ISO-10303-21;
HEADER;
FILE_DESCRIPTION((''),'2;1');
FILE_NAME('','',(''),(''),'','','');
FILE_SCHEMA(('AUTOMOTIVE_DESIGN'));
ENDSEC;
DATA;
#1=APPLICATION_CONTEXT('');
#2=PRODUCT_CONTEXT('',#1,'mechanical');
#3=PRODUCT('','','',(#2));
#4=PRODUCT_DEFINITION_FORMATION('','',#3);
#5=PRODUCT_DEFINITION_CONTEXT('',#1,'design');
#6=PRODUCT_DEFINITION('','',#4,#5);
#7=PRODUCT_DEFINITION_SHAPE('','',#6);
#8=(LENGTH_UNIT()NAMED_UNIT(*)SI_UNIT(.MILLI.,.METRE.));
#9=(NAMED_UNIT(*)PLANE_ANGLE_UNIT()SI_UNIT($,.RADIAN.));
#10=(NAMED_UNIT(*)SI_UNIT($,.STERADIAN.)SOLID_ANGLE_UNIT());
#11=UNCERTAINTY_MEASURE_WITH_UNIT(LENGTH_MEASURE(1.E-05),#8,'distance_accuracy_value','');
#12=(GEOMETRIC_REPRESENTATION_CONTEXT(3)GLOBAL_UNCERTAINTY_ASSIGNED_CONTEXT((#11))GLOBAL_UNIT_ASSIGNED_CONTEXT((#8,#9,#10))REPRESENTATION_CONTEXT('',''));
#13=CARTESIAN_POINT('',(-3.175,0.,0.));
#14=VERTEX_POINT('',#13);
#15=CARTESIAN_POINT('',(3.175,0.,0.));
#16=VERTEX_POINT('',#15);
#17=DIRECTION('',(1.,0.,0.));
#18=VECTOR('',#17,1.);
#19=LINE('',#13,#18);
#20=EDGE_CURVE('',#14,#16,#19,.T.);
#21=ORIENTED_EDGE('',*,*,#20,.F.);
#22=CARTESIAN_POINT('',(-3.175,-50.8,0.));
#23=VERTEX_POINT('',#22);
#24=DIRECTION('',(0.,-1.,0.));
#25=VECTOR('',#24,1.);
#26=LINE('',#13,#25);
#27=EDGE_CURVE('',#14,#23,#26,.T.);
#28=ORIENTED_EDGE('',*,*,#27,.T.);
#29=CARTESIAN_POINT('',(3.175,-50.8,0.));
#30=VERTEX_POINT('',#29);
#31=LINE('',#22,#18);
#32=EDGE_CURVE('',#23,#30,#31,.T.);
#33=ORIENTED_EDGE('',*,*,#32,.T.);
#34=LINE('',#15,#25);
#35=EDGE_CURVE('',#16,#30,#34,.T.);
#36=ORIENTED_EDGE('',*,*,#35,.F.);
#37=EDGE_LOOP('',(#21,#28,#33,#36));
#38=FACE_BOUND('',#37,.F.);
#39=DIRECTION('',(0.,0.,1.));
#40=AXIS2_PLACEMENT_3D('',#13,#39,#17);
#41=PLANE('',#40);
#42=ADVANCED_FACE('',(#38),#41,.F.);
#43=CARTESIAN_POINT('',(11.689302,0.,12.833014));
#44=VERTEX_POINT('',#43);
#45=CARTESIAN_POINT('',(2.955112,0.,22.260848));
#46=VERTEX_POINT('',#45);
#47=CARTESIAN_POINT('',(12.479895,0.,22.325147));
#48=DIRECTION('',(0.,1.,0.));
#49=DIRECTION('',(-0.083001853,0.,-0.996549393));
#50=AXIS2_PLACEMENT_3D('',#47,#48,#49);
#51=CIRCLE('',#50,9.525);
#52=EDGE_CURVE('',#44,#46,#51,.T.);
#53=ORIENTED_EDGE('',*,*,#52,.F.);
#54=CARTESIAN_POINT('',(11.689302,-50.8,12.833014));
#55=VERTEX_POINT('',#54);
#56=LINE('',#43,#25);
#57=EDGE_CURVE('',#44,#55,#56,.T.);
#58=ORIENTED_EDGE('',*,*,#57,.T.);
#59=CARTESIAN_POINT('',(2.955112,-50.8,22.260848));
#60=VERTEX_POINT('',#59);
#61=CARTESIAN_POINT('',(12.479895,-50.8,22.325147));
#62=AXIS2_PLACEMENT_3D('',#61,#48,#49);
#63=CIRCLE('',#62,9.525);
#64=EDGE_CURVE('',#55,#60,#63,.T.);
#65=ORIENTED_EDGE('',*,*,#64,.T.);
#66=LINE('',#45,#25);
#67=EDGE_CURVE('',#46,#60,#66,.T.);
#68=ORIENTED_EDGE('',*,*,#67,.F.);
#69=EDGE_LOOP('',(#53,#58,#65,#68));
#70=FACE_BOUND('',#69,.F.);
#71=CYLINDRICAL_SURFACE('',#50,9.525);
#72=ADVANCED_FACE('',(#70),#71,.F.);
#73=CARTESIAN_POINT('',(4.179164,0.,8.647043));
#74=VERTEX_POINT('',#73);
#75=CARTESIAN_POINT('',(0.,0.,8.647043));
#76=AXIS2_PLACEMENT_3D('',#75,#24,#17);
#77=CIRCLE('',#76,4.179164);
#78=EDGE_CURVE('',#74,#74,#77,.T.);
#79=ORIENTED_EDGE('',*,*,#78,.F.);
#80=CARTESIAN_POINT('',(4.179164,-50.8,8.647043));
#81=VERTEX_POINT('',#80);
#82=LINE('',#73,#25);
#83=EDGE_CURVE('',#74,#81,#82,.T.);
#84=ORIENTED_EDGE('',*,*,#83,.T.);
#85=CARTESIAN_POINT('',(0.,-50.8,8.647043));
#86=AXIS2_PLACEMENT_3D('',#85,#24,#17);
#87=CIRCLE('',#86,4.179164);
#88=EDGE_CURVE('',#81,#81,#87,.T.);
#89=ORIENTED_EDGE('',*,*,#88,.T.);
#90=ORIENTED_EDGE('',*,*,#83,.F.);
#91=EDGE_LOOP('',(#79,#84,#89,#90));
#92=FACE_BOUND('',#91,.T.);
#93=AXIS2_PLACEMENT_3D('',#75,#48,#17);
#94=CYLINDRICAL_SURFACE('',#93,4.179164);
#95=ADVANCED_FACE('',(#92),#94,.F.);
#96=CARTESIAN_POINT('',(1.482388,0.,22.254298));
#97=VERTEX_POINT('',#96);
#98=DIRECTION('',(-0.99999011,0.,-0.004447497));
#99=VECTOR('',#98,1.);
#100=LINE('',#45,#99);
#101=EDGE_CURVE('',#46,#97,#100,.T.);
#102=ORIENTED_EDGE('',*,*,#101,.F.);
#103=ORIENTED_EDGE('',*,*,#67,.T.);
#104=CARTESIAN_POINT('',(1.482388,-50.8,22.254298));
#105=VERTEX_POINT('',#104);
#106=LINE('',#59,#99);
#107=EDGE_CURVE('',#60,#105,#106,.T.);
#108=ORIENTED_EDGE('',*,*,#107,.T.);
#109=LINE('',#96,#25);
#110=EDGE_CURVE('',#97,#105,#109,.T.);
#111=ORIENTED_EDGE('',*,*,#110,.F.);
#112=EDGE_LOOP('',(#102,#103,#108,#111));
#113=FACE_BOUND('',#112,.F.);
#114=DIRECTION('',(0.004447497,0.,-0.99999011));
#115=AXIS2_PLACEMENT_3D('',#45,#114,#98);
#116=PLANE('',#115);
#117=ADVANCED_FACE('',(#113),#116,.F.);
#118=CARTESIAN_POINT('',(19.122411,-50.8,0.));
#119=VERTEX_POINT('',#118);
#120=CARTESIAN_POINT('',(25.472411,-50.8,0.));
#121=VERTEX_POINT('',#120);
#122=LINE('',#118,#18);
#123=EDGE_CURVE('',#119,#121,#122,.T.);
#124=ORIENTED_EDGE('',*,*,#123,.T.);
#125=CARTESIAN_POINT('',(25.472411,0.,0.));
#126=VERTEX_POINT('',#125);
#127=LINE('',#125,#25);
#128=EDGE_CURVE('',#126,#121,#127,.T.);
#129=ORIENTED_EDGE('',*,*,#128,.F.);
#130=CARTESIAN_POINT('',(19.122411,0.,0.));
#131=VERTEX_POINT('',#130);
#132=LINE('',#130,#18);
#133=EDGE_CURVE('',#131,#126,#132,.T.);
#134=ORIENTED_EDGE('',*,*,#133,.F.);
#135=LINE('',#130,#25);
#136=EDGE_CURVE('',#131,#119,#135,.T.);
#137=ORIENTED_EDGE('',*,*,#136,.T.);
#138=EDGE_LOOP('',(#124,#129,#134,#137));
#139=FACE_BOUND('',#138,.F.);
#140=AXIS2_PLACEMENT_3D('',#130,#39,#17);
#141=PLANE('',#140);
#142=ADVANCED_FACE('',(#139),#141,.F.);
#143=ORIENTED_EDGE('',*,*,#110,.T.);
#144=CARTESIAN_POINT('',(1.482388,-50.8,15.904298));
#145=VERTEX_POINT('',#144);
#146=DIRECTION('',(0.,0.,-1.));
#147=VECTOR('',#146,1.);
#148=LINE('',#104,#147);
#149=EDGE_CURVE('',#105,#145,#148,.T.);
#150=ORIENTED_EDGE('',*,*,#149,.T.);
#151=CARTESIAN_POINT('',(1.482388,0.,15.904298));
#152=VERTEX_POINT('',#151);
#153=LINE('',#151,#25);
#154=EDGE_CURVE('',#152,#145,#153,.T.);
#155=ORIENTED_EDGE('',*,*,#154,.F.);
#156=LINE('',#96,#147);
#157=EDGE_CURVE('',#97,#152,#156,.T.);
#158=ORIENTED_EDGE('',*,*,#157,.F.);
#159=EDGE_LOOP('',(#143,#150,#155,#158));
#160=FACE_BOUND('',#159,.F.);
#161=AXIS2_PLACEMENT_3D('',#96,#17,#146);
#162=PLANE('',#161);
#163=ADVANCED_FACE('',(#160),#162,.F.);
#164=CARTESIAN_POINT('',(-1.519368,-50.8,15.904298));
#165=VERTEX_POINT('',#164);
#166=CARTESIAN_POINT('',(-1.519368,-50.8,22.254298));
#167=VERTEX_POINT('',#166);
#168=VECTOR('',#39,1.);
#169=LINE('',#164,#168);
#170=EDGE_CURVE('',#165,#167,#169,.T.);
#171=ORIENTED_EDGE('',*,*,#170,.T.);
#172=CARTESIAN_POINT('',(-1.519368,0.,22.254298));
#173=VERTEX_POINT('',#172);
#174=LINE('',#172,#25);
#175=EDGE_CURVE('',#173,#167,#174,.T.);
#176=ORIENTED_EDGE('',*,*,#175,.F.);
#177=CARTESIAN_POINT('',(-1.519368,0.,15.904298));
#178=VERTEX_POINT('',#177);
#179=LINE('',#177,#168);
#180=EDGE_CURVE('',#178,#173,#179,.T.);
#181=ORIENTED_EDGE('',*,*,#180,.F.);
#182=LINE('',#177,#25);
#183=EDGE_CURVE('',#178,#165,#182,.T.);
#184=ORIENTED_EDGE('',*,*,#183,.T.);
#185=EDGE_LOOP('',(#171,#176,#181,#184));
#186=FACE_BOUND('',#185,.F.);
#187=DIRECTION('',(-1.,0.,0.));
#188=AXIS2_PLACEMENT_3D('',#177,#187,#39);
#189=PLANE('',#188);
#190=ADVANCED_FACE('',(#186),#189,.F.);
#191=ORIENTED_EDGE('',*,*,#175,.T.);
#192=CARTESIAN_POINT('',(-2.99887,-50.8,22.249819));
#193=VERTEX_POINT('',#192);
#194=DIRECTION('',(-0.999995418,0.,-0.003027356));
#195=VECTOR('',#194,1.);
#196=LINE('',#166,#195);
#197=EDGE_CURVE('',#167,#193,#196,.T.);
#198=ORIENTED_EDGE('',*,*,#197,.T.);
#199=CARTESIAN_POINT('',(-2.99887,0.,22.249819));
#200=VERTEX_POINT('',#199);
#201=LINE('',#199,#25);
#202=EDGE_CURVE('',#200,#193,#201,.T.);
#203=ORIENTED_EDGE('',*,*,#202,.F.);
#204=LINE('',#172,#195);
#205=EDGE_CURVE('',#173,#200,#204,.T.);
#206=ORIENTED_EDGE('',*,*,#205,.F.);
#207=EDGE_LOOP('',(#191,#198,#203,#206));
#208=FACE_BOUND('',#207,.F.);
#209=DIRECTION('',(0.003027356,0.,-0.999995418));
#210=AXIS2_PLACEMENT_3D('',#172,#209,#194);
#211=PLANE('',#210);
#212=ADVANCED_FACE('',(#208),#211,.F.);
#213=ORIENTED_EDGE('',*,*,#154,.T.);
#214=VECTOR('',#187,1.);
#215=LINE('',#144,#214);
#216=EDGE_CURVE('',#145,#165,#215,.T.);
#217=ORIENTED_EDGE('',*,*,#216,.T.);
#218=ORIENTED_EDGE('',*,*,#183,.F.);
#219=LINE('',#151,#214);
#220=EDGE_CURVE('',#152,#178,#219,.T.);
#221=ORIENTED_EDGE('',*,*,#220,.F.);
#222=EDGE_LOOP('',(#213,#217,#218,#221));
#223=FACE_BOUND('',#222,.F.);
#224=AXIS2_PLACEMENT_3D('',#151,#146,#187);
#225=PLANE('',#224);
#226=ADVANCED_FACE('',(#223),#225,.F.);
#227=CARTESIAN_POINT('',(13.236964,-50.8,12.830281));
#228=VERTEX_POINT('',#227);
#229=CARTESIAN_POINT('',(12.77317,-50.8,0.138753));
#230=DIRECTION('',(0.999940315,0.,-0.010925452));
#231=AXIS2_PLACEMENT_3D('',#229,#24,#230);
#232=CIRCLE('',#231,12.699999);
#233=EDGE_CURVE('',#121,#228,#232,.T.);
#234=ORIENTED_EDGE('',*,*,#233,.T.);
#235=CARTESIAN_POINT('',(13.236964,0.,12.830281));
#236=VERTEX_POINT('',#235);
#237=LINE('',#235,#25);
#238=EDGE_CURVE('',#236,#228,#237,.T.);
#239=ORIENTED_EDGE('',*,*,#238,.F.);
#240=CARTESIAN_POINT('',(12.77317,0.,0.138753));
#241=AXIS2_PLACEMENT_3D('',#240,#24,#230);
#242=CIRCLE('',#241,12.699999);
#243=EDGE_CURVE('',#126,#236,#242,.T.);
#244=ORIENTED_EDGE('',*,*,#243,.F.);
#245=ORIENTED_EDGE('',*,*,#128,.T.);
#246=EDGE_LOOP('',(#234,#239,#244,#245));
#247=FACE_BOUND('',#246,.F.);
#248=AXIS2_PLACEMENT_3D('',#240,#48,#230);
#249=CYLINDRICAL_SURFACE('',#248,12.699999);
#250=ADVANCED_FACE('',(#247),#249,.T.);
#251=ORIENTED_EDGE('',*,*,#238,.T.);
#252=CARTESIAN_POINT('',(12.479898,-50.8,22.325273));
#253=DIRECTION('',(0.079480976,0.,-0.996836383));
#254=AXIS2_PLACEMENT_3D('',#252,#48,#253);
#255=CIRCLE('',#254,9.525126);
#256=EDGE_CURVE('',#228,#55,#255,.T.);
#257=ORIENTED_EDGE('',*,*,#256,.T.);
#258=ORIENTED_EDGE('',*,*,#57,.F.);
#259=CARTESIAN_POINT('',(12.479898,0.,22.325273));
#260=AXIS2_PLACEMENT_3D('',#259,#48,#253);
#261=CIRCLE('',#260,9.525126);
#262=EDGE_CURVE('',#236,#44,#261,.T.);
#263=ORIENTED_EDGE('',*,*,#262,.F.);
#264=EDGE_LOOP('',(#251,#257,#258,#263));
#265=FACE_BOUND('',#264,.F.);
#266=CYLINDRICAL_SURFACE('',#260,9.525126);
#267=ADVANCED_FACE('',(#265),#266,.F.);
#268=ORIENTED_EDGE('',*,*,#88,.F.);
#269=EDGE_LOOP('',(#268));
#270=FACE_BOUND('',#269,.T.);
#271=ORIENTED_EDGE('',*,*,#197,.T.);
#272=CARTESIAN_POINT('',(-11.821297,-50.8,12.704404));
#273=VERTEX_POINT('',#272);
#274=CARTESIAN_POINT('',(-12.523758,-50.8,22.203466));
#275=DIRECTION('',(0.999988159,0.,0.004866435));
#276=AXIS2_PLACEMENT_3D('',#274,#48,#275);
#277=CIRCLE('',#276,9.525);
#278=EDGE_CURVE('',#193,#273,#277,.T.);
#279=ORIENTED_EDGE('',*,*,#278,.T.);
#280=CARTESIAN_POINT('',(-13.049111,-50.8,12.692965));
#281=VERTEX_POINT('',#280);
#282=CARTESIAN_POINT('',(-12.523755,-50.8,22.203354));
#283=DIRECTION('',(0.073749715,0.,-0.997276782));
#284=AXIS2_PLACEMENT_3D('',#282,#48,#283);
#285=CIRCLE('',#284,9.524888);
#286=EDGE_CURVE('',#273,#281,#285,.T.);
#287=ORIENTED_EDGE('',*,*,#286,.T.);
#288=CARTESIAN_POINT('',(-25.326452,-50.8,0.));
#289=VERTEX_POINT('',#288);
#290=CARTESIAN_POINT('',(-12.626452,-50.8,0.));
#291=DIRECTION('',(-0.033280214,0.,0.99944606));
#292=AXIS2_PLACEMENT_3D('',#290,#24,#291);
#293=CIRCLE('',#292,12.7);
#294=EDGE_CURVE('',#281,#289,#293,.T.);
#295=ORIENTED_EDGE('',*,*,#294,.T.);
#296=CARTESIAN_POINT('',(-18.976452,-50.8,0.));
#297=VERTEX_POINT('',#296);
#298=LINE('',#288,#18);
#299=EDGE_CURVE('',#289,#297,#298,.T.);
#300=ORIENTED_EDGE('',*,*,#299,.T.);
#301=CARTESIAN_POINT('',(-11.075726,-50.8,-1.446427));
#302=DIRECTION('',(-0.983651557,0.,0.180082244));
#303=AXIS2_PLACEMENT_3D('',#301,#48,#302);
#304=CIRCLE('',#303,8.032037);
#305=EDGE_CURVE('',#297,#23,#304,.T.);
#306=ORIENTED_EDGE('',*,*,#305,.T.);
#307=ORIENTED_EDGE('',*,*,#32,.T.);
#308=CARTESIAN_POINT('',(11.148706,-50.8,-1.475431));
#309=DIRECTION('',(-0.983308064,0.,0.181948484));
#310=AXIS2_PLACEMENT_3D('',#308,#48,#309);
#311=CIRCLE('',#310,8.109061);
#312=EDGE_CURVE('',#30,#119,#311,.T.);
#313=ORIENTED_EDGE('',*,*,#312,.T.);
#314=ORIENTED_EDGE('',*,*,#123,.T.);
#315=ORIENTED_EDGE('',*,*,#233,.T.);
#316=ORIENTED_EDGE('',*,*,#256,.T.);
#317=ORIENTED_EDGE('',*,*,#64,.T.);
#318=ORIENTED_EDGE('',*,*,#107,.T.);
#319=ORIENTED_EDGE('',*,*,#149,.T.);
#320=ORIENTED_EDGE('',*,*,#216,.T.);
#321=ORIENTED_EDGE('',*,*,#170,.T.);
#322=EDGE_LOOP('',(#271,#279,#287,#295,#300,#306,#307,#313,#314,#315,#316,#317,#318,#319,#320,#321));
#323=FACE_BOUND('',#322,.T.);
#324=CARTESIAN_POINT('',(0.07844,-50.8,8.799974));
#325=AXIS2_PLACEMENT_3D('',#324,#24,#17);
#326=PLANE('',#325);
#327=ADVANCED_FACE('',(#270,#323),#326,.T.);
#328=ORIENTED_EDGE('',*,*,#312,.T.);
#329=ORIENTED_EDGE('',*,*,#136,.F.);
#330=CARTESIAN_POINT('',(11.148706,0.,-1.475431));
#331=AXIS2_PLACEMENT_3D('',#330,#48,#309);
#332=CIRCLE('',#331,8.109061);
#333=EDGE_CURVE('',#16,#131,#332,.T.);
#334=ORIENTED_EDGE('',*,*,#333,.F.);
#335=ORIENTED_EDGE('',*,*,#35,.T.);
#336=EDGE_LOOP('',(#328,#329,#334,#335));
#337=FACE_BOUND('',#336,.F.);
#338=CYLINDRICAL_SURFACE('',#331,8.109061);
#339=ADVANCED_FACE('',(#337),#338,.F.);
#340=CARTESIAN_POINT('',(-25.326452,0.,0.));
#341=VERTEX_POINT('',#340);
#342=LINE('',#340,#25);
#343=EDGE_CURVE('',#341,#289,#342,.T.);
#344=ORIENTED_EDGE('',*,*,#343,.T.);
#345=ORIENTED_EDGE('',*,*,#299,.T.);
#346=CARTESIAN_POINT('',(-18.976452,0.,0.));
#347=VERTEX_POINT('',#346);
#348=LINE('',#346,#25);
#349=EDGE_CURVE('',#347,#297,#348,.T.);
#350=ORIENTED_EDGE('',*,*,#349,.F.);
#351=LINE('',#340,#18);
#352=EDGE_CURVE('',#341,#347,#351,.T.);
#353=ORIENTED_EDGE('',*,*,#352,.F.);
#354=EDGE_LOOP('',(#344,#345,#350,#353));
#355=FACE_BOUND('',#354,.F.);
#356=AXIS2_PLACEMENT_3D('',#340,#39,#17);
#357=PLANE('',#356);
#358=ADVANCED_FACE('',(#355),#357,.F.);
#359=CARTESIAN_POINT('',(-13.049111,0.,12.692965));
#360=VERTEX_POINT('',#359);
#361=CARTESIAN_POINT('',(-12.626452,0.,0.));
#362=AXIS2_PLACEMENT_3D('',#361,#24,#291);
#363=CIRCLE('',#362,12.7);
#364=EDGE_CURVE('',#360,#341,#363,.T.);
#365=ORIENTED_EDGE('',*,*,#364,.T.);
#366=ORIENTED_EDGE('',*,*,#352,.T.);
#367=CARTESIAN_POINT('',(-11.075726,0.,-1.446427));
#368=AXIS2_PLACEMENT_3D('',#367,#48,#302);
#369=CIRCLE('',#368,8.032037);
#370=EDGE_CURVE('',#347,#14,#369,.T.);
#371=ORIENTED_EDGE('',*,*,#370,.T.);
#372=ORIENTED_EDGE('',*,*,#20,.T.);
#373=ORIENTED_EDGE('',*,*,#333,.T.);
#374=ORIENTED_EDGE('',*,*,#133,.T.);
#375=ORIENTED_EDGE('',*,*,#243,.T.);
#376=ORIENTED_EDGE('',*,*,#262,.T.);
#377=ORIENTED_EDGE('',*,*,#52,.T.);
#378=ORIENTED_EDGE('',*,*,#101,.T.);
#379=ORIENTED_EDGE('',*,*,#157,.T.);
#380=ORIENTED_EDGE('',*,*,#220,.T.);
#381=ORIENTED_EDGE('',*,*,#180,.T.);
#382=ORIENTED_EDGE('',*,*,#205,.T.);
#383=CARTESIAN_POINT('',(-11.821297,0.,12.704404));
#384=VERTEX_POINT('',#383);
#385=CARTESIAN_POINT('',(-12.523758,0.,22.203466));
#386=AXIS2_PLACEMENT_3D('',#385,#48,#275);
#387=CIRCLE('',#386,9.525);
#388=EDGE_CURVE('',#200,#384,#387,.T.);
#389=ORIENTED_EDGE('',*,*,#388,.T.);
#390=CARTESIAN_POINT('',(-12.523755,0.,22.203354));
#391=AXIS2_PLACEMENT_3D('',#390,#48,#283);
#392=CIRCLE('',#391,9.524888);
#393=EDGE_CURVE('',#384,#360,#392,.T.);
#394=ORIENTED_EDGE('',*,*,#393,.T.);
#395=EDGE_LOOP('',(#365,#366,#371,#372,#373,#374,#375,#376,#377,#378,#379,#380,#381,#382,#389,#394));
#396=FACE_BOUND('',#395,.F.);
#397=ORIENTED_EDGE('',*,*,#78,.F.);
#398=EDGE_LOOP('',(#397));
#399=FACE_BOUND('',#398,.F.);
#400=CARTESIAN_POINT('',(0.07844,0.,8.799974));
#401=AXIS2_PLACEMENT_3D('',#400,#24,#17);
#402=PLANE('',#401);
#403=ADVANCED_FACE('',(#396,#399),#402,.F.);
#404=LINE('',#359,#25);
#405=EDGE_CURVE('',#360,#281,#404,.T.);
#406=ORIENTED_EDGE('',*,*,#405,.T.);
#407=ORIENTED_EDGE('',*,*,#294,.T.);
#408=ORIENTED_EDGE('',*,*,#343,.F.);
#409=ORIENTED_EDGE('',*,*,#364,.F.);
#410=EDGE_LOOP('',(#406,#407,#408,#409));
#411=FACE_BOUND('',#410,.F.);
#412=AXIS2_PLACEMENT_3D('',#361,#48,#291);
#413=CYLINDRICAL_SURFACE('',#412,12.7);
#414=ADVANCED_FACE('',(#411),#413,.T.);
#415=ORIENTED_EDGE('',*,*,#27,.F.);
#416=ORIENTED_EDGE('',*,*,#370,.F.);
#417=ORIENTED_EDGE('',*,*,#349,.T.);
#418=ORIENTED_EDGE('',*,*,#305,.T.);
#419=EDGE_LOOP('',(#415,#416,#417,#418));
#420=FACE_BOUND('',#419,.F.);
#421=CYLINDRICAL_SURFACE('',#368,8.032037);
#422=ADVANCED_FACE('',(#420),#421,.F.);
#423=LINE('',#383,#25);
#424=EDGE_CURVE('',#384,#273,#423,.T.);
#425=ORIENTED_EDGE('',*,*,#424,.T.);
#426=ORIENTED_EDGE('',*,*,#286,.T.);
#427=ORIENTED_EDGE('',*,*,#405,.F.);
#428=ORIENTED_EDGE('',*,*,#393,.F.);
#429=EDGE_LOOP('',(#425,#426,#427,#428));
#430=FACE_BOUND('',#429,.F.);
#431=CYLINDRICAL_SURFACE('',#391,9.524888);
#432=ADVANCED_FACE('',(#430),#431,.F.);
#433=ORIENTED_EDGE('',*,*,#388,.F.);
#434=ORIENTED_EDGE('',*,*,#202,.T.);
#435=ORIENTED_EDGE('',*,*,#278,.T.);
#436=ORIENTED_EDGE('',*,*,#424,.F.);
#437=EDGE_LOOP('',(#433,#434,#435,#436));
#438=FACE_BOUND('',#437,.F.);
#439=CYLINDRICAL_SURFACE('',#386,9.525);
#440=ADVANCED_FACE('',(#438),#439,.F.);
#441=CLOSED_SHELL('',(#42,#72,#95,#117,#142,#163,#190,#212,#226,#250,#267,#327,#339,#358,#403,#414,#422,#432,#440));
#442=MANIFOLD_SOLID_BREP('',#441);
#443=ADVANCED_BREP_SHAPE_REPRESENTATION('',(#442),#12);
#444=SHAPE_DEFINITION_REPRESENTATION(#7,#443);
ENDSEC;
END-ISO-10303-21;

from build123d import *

# Parameters (mm, degrees)
F0_R     = 4.179164
F1_DEPTH = 50.8


with BuildPart() as f1:
    # F0 (on Front) → F1 (new body)
    with BuildSketch(Plane.XZ):
        with BuildLine():
            Line((19.122411, 0), (25.472411, 0))
            ThreePointArc((25.472411, 0), (21.963948, 8.903431), (13.236964, 12.830281))
            ThreePointArc((13.236964, 12.830281), (12.463078, 12.800162), (11.689302, 12.833014))
            ThreePointArc((11.689302, 12.833014), (5.492566, 15.851905), (2.955112, 22.260848))
            Line((2.955112, 22.260848), (1.482388, 22.254298))
            Line((1.482388, 22.254298), (1.482388, 15.904298))
            Line((1.482388, 15.904298), (-1.519368, 15.904298))
            Line((-1.519368, 15.904298), (-1.519368, 22.254298))
            Line((-1.519368, 22.254298), (-2.99887, 22.249819))
            ThreePointArc((-2.99887, 22.249819), (-5.528874, 15.738388), (-11.821297, 12.704404))
            ThreePointArc((-11.821297, 12.704404), (-12.435019, 12.678879), (-13.049111, 12.692965))
            ThreePointArc((-13.049111, 12.692965), (-21.754918, 8.829559), (-25.326452, 0))
            Line((-25.326452, 0), (-18.976452, 0))
            ThreePointArc((-18.976452, 0), (-11.075726, 6.58561), (-3.175, 0))
            Line((-3.175, 0), (0, 0))
            Line((0, 0), (3.175, 0))
            ThreePointArc((3.175, 0), (11.148705, 6.63363), (19.122411, 0))
        make_face()
        with Locations((0, 8.647043)):
            Circle(F0_R, mode=Mode.SUBTRACT)
    extrude(amount=F1_DEPTH)


solid = f1.part
